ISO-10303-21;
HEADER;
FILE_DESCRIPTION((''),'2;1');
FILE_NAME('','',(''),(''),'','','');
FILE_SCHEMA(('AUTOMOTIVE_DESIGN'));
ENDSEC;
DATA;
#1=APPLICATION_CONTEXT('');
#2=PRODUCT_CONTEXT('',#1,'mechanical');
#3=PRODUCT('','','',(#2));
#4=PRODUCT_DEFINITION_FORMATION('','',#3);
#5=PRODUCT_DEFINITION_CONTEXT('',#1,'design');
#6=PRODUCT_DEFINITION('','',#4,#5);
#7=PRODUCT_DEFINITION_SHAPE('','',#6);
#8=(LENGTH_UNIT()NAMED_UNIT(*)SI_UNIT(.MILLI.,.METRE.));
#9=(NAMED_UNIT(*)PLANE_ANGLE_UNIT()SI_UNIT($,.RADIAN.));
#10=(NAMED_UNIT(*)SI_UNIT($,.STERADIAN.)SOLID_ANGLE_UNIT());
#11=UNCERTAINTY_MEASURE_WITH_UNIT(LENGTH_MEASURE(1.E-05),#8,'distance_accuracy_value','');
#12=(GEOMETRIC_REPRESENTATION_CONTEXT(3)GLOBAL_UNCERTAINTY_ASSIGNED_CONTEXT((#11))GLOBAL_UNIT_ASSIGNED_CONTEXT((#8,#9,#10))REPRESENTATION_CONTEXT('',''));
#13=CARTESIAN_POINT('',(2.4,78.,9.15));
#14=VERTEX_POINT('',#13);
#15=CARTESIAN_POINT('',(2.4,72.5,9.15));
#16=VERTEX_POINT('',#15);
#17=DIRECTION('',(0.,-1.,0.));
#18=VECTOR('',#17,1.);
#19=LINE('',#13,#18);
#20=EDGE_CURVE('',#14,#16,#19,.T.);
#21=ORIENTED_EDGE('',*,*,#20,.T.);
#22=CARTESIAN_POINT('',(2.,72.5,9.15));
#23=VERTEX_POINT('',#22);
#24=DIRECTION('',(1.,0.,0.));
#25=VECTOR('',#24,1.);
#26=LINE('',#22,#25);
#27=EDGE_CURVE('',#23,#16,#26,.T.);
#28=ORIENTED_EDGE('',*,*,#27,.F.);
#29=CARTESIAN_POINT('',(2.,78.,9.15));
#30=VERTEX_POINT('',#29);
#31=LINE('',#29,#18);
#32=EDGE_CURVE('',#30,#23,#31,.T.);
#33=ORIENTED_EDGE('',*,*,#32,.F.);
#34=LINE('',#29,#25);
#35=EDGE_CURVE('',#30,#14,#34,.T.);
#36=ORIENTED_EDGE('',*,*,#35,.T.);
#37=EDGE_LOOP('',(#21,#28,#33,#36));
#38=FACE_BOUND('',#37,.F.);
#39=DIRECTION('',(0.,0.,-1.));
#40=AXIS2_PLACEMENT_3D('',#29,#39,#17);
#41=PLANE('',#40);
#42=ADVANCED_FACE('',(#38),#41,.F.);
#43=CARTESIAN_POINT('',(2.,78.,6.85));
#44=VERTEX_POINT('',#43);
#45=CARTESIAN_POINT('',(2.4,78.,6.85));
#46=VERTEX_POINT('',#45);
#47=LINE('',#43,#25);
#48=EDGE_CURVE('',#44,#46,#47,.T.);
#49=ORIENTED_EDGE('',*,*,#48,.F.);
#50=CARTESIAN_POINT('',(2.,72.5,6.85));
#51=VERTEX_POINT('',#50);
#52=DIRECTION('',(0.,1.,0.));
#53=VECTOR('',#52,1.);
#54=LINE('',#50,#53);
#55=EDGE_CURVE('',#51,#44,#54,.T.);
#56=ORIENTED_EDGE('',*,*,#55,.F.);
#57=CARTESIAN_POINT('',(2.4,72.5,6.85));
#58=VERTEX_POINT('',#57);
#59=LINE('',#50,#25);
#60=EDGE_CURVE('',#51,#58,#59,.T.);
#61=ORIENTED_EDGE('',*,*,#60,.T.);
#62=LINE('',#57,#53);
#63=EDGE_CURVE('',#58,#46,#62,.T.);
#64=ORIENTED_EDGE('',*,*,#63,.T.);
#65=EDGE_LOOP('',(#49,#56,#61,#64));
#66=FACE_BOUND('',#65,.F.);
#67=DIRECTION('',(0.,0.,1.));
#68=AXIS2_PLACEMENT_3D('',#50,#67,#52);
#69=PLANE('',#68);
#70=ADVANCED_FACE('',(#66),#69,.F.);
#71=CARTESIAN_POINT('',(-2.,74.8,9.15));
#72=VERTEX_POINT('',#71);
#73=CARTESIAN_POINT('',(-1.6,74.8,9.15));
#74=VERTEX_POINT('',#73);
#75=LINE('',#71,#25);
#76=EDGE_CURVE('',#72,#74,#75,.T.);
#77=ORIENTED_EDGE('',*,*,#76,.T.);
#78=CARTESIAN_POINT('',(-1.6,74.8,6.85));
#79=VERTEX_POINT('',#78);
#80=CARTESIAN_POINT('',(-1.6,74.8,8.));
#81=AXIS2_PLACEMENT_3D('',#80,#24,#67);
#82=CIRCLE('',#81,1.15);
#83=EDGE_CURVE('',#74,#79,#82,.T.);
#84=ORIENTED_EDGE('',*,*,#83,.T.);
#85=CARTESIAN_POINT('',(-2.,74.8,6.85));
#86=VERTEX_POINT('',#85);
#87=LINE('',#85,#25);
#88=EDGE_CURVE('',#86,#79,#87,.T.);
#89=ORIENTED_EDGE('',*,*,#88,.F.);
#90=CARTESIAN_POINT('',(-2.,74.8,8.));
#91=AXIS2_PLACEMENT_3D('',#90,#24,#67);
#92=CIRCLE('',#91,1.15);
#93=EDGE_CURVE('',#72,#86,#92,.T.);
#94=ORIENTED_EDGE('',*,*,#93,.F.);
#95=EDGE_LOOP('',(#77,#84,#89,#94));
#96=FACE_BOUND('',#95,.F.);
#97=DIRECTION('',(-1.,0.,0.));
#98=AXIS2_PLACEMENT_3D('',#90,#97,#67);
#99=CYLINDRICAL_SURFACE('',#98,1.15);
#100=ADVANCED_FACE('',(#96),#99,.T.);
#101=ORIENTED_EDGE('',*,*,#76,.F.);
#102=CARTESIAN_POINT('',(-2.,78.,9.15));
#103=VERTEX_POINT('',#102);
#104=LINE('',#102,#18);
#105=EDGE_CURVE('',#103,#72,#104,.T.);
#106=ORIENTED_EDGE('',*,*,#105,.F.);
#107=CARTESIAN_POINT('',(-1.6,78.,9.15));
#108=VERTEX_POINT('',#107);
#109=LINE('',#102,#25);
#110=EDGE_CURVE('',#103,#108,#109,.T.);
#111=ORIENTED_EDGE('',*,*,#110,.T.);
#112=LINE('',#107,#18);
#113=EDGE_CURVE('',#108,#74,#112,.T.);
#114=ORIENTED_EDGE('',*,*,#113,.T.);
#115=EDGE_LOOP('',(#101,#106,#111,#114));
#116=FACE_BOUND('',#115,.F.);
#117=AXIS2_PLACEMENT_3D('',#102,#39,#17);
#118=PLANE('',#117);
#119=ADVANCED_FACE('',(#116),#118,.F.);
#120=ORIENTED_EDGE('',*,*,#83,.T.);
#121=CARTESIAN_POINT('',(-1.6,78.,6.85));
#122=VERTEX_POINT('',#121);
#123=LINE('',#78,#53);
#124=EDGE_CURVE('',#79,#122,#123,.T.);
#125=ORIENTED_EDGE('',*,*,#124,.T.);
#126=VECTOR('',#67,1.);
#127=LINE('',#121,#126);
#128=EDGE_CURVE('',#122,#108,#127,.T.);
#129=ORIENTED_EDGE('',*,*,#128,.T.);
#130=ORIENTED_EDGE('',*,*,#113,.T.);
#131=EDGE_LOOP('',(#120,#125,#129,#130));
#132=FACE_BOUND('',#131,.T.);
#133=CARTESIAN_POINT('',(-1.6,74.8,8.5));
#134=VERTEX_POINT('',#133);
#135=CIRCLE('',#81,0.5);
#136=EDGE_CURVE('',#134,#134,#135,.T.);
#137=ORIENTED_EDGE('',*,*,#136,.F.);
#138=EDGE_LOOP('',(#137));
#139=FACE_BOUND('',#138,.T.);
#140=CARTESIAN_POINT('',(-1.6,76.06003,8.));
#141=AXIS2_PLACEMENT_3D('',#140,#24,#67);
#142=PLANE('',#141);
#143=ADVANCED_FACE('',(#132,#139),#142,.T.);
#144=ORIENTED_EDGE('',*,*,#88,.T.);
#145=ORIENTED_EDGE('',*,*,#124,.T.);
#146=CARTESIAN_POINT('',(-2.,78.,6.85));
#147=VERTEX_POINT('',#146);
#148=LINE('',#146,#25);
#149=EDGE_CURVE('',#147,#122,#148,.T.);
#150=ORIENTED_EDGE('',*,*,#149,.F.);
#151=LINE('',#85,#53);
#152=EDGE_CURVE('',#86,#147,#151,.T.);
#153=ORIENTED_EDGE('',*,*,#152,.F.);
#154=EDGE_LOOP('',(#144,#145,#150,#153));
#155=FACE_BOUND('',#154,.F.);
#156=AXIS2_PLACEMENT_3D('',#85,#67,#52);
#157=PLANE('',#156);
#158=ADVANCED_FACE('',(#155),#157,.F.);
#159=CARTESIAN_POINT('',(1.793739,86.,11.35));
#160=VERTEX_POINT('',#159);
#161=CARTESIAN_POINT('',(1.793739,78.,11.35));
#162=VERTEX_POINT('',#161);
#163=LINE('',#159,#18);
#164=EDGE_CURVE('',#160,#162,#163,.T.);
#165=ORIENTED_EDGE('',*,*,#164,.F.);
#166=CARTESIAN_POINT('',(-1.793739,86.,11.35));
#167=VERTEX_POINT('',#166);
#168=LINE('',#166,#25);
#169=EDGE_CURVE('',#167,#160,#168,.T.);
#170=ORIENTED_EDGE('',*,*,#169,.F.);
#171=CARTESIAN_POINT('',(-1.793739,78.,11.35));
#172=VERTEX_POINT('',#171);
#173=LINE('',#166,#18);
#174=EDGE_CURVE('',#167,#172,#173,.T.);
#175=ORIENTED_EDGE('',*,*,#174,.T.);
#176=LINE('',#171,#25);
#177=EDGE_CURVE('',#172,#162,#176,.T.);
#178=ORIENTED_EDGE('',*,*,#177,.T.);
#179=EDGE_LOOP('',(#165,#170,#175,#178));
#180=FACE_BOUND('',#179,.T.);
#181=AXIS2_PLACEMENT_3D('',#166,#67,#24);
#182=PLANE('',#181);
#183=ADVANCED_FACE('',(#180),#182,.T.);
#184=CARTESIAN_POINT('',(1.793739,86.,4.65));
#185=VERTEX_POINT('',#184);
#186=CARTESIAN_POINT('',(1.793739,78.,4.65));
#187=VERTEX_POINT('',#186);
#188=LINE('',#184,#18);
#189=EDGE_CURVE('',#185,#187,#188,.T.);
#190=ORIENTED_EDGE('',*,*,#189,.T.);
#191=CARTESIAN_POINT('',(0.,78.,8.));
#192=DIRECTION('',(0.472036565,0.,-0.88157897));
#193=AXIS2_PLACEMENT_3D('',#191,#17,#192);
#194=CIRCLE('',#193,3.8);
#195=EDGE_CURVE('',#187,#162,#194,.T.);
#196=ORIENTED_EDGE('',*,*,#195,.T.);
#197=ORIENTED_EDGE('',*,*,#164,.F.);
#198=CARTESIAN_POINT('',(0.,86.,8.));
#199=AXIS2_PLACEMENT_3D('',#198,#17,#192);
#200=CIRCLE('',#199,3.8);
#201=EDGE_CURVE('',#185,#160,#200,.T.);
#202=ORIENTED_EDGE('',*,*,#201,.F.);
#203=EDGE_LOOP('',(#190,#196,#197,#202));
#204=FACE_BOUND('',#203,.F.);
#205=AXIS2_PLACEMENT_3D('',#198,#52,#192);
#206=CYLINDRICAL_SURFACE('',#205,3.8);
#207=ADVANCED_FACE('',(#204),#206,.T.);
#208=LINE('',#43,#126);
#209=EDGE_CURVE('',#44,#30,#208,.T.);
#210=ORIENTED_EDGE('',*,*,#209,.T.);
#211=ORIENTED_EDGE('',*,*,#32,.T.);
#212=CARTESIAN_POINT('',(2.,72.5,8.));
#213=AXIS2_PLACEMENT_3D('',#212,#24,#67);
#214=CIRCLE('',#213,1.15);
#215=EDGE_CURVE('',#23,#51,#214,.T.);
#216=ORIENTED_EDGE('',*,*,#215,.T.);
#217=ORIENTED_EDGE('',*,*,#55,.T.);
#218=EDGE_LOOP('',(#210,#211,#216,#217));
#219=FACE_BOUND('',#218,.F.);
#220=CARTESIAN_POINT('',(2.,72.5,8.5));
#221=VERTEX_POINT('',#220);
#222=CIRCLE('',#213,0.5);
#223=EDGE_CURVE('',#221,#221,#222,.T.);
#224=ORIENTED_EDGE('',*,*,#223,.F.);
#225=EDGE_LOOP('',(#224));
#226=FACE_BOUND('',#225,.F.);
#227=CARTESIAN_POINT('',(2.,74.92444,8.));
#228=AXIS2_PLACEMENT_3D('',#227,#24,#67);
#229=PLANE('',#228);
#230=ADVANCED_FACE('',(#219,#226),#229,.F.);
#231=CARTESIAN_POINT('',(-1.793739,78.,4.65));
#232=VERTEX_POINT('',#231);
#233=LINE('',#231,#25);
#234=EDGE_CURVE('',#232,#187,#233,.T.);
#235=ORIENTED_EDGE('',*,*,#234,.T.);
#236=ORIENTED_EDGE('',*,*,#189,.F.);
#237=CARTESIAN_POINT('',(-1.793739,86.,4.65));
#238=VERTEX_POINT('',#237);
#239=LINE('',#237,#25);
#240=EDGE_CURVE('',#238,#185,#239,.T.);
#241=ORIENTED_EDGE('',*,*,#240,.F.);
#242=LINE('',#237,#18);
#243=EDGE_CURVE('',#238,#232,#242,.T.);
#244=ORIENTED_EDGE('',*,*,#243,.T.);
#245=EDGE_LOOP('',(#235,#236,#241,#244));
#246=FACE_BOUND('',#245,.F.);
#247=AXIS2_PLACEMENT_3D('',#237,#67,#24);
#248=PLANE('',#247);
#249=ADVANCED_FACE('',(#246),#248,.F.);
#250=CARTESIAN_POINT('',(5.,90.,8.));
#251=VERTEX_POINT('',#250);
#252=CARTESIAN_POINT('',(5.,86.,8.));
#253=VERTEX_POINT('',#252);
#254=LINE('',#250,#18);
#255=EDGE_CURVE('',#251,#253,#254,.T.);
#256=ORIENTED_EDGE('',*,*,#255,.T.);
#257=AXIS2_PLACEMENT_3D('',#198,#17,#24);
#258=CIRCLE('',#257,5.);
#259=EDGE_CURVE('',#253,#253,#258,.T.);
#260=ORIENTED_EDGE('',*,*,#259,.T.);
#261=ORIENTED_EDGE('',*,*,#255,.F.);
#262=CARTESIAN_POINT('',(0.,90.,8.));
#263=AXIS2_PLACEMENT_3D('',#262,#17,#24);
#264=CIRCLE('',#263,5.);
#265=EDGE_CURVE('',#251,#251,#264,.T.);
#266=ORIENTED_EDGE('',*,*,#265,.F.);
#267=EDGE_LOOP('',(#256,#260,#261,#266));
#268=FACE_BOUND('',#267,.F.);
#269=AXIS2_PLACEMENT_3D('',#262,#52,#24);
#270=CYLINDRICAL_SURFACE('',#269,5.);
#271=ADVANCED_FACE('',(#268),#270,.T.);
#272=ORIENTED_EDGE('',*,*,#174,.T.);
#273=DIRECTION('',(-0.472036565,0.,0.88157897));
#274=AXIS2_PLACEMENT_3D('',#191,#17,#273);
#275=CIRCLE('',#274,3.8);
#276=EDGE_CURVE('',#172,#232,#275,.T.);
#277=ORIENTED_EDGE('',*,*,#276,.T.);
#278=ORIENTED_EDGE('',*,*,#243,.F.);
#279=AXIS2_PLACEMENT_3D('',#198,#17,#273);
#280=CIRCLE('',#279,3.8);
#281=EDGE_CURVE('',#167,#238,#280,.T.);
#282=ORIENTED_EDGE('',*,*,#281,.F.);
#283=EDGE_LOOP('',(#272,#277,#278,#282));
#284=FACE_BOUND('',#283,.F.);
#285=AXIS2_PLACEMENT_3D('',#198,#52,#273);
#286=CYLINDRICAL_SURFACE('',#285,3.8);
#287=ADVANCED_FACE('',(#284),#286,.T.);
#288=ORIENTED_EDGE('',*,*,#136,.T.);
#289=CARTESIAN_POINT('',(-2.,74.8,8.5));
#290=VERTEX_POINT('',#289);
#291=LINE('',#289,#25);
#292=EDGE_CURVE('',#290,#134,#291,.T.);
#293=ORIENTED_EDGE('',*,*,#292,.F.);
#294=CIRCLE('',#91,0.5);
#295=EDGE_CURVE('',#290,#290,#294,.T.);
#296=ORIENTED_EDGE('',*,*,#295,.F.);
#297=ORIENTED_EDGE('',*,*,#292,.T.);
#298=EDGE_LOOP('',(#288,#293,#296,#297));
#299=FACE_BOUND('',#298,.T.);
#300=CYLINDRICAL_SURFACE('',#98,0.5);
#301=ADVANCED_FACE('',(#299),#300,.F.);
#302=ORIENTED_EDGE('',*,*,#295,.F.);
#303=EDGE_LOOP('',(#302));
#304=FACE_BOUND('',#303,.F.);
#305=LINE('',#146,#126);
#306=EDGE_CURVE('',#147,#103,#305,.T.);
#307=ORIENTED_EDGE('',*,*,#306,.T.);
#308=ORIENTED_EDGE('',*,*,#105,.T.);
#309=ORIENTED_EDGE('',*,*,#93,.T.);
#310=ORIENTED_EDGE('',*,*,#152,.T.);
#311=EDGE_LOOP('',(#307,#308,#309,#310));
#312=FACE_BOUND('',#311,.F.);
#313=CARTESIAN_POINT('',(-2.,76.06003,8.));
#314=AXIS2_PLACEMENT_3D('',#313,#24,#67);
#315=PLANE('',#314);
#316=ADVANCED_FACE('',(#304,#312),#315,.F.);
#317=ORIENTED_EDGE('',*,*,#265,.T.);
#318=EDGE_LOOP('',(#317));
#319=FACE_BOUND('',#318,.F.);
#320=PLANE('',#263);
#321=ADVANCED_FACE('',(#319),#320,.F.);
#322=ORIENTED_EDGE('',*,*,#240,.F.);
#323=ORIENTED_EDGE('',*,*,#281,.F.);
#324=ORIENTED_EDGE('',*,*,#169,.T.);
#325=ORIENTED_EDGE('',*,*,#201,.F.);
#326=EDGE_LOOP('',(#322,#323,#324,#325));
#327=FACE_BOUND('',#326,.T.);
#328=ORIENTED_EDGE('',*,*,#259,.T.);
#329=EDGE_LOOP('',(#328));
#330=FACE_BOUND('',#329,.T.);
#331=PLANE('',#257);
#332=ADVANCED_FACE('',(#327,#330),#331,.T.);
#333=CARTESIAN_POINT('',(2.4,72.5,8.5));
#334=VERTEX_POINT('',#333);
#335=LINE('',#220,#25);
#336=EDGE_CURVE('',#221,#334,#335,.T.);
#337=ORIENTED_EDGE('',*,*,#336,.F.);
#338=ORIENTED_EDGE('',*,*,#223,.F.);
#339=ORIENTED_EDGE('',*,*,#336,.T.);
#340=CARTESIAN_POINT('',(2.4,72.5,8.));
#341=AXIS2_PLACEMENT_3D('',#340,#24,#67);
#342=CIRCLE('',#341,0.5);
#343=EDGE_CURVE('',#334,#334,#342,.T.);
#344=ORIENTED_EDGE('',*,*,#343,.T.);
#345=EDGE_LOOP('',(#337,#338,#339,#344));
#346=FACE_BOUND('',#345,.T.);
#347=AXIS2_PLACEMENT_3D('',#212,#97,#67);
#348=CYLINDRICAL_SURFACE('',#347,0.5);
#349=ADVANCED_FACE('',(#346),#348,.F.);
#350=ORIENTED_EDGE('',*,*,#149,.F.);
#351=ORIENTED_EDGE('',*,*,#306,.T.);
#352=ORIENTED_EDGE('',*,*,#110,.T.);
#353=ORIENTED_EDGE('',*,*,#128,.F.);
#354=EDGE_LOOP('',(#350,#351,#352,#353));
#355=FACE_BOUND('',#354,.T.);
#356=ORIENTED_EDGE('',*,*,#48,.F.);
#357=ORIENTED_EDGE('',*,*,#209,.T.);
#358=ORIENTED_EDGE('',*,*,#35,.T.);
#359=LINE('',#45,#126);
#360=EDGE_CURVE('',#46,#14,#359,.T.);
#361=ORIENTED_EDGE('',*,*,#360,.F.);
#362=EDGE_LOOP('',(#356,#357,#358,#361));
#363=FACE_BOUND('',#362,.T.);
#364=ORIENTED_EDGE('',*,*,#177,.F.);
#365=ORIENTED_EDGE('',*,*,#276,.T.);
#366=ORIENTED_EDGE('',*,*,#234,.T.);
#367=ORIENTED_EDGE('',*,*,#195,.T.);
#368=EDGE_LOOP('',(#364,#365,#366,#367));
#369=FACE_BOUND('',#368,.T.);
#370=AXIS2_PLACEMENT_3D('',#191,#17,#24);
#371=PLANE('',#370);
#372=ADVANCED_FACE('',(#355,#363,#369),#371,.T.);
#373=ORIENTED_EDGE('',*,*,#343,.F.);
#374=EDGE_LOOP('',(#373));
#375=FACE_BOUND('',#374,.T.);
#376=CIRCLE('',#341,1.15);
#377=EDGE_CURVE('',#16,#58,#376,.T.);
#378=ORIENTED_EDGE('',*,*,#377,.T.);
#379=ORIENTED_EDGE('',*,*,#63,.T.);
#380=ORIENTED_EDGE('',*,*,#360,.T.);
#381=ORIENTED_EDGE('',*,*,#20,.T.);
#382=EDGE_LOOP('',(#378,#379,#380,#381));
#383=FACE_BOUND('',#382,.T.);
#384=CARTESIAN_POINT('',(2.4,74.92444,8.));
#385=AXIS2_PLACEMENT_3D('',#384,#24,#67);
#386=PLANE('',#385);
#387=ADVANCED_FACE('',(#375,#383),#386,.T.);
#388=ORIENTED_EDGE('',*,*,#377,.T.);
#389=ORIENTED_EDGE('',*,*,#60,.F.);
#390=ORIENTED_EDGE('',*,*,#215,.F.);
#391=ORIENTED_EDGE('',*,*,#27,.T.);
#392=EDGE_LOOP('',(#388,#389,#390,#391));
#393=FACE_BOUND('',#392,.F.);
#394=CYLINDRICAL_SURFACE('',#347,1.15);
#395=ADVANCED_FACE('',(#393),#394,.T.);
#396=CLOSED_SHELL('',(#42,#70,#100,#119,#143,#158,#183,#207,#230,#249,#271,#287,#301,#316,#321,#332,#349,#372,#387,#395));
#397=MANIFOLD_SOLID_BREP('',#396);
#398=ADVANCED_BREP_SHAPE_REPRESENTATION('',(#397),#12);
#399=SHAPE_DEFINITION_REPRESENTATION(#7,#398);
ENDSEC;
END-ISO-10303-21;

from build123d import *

# Parameters (mm, degrees)
SKETCH002_R            = 5
PAD002_DEPTH           = 4
PAD003_DEPTH           = 8
SKETCH005_R            = 0.5
PAD005_DEPTH           = 0.4
SKETCH004_R            = 0.5
PAD004_DEPTH           = 0.4
FUSION_PLACEMENT_ANGLE = 90


with BuildPart() as body001:
    # Sketch002 → Pad002 (new body)
    with BuildSketch(Plane.XY):
        Circle(SKETCH002_R)
    extrude(amount=PAD002_DEPTH)

    # Sketch003 (on Face3 of Pad002) → Pad003 (join)
    with BuildSketch(Plane.XY.offset(4)):
        with BuildLine():
            ThreePointArc((-1.793739, 3.35), (-3.8, 0), (-1.793739, -3.35))
            Line((-1.793739, -3.35), (1.793739, -3.35))
            ThreePointArc((1.793739, -3.35), (3.8, 0), (1.793739, 3.35))
            Line((-1.793739, 3.35), (1.793739, 3.35))
        make_face()
    extrude(amount=PAD003_DEPTH)


with BuildPart() as body003:
    # Sketch005 → Pad005 (new body)
    with BuildSketch(Plane.YZ):
        with BuildLine():
            Line((-1.15, 15.2), (-1.15, 12))
            Line((-1.15, 12), (1.15, 12))
            Line((1.15, 12), (1.15, 15.2))
            ThreePointArc((1.15, 15.2), (0, 16.35), (-1.15, 15.2))
        make_face()
        with Locations((0, 15.2)):
            Circle(SKETCH005_R, mode=Mode.SUBTRACT)
    extrude(amount=PAD005_DEPTH)


with BuildPart() as body003_1:
    # Body003 placement: moved
    add(body003.part.moved(Location((-2, 0, 0))))


with BuildPart() as power:
    # Sketch004 → Pad004 (new body)
    with BuildSketch(Plane.YZ):
        with BuildLine():
            Line((-1.15, 17.5), (-1.15, 12))
            Line((-1.15, 12), (1.15, 12))
            Line((1.15, 12), (1.15, 17.5))
            ThreePointArc((1.15, 17.5), (0, 18.65), (-1.15, 17.5))
        make_face()
        with Locations((0, 17.5)):
            Circle(SKETCH004_R, mode=Mode.SUBTRACT)
    extrude(amount=PAD004_DEPTH)


with BuildPart() as power_1:
    # Body002 placement: moved
    add(power.part.moved(Location((2, 0, 0))))

    # Fusion: union Body001, Body003
    add(body001.part)
    add(body003_1.part)


with BuildPart() as power_2:
    # Fusion placement: moved
    add(power_1.part.moved(Location((0, 90, 8))).rotate(Axis((0, 90, 8), (1, 0, 0)), FUSION_PLACEMENT_ANGLE))


solid = power_2.part
